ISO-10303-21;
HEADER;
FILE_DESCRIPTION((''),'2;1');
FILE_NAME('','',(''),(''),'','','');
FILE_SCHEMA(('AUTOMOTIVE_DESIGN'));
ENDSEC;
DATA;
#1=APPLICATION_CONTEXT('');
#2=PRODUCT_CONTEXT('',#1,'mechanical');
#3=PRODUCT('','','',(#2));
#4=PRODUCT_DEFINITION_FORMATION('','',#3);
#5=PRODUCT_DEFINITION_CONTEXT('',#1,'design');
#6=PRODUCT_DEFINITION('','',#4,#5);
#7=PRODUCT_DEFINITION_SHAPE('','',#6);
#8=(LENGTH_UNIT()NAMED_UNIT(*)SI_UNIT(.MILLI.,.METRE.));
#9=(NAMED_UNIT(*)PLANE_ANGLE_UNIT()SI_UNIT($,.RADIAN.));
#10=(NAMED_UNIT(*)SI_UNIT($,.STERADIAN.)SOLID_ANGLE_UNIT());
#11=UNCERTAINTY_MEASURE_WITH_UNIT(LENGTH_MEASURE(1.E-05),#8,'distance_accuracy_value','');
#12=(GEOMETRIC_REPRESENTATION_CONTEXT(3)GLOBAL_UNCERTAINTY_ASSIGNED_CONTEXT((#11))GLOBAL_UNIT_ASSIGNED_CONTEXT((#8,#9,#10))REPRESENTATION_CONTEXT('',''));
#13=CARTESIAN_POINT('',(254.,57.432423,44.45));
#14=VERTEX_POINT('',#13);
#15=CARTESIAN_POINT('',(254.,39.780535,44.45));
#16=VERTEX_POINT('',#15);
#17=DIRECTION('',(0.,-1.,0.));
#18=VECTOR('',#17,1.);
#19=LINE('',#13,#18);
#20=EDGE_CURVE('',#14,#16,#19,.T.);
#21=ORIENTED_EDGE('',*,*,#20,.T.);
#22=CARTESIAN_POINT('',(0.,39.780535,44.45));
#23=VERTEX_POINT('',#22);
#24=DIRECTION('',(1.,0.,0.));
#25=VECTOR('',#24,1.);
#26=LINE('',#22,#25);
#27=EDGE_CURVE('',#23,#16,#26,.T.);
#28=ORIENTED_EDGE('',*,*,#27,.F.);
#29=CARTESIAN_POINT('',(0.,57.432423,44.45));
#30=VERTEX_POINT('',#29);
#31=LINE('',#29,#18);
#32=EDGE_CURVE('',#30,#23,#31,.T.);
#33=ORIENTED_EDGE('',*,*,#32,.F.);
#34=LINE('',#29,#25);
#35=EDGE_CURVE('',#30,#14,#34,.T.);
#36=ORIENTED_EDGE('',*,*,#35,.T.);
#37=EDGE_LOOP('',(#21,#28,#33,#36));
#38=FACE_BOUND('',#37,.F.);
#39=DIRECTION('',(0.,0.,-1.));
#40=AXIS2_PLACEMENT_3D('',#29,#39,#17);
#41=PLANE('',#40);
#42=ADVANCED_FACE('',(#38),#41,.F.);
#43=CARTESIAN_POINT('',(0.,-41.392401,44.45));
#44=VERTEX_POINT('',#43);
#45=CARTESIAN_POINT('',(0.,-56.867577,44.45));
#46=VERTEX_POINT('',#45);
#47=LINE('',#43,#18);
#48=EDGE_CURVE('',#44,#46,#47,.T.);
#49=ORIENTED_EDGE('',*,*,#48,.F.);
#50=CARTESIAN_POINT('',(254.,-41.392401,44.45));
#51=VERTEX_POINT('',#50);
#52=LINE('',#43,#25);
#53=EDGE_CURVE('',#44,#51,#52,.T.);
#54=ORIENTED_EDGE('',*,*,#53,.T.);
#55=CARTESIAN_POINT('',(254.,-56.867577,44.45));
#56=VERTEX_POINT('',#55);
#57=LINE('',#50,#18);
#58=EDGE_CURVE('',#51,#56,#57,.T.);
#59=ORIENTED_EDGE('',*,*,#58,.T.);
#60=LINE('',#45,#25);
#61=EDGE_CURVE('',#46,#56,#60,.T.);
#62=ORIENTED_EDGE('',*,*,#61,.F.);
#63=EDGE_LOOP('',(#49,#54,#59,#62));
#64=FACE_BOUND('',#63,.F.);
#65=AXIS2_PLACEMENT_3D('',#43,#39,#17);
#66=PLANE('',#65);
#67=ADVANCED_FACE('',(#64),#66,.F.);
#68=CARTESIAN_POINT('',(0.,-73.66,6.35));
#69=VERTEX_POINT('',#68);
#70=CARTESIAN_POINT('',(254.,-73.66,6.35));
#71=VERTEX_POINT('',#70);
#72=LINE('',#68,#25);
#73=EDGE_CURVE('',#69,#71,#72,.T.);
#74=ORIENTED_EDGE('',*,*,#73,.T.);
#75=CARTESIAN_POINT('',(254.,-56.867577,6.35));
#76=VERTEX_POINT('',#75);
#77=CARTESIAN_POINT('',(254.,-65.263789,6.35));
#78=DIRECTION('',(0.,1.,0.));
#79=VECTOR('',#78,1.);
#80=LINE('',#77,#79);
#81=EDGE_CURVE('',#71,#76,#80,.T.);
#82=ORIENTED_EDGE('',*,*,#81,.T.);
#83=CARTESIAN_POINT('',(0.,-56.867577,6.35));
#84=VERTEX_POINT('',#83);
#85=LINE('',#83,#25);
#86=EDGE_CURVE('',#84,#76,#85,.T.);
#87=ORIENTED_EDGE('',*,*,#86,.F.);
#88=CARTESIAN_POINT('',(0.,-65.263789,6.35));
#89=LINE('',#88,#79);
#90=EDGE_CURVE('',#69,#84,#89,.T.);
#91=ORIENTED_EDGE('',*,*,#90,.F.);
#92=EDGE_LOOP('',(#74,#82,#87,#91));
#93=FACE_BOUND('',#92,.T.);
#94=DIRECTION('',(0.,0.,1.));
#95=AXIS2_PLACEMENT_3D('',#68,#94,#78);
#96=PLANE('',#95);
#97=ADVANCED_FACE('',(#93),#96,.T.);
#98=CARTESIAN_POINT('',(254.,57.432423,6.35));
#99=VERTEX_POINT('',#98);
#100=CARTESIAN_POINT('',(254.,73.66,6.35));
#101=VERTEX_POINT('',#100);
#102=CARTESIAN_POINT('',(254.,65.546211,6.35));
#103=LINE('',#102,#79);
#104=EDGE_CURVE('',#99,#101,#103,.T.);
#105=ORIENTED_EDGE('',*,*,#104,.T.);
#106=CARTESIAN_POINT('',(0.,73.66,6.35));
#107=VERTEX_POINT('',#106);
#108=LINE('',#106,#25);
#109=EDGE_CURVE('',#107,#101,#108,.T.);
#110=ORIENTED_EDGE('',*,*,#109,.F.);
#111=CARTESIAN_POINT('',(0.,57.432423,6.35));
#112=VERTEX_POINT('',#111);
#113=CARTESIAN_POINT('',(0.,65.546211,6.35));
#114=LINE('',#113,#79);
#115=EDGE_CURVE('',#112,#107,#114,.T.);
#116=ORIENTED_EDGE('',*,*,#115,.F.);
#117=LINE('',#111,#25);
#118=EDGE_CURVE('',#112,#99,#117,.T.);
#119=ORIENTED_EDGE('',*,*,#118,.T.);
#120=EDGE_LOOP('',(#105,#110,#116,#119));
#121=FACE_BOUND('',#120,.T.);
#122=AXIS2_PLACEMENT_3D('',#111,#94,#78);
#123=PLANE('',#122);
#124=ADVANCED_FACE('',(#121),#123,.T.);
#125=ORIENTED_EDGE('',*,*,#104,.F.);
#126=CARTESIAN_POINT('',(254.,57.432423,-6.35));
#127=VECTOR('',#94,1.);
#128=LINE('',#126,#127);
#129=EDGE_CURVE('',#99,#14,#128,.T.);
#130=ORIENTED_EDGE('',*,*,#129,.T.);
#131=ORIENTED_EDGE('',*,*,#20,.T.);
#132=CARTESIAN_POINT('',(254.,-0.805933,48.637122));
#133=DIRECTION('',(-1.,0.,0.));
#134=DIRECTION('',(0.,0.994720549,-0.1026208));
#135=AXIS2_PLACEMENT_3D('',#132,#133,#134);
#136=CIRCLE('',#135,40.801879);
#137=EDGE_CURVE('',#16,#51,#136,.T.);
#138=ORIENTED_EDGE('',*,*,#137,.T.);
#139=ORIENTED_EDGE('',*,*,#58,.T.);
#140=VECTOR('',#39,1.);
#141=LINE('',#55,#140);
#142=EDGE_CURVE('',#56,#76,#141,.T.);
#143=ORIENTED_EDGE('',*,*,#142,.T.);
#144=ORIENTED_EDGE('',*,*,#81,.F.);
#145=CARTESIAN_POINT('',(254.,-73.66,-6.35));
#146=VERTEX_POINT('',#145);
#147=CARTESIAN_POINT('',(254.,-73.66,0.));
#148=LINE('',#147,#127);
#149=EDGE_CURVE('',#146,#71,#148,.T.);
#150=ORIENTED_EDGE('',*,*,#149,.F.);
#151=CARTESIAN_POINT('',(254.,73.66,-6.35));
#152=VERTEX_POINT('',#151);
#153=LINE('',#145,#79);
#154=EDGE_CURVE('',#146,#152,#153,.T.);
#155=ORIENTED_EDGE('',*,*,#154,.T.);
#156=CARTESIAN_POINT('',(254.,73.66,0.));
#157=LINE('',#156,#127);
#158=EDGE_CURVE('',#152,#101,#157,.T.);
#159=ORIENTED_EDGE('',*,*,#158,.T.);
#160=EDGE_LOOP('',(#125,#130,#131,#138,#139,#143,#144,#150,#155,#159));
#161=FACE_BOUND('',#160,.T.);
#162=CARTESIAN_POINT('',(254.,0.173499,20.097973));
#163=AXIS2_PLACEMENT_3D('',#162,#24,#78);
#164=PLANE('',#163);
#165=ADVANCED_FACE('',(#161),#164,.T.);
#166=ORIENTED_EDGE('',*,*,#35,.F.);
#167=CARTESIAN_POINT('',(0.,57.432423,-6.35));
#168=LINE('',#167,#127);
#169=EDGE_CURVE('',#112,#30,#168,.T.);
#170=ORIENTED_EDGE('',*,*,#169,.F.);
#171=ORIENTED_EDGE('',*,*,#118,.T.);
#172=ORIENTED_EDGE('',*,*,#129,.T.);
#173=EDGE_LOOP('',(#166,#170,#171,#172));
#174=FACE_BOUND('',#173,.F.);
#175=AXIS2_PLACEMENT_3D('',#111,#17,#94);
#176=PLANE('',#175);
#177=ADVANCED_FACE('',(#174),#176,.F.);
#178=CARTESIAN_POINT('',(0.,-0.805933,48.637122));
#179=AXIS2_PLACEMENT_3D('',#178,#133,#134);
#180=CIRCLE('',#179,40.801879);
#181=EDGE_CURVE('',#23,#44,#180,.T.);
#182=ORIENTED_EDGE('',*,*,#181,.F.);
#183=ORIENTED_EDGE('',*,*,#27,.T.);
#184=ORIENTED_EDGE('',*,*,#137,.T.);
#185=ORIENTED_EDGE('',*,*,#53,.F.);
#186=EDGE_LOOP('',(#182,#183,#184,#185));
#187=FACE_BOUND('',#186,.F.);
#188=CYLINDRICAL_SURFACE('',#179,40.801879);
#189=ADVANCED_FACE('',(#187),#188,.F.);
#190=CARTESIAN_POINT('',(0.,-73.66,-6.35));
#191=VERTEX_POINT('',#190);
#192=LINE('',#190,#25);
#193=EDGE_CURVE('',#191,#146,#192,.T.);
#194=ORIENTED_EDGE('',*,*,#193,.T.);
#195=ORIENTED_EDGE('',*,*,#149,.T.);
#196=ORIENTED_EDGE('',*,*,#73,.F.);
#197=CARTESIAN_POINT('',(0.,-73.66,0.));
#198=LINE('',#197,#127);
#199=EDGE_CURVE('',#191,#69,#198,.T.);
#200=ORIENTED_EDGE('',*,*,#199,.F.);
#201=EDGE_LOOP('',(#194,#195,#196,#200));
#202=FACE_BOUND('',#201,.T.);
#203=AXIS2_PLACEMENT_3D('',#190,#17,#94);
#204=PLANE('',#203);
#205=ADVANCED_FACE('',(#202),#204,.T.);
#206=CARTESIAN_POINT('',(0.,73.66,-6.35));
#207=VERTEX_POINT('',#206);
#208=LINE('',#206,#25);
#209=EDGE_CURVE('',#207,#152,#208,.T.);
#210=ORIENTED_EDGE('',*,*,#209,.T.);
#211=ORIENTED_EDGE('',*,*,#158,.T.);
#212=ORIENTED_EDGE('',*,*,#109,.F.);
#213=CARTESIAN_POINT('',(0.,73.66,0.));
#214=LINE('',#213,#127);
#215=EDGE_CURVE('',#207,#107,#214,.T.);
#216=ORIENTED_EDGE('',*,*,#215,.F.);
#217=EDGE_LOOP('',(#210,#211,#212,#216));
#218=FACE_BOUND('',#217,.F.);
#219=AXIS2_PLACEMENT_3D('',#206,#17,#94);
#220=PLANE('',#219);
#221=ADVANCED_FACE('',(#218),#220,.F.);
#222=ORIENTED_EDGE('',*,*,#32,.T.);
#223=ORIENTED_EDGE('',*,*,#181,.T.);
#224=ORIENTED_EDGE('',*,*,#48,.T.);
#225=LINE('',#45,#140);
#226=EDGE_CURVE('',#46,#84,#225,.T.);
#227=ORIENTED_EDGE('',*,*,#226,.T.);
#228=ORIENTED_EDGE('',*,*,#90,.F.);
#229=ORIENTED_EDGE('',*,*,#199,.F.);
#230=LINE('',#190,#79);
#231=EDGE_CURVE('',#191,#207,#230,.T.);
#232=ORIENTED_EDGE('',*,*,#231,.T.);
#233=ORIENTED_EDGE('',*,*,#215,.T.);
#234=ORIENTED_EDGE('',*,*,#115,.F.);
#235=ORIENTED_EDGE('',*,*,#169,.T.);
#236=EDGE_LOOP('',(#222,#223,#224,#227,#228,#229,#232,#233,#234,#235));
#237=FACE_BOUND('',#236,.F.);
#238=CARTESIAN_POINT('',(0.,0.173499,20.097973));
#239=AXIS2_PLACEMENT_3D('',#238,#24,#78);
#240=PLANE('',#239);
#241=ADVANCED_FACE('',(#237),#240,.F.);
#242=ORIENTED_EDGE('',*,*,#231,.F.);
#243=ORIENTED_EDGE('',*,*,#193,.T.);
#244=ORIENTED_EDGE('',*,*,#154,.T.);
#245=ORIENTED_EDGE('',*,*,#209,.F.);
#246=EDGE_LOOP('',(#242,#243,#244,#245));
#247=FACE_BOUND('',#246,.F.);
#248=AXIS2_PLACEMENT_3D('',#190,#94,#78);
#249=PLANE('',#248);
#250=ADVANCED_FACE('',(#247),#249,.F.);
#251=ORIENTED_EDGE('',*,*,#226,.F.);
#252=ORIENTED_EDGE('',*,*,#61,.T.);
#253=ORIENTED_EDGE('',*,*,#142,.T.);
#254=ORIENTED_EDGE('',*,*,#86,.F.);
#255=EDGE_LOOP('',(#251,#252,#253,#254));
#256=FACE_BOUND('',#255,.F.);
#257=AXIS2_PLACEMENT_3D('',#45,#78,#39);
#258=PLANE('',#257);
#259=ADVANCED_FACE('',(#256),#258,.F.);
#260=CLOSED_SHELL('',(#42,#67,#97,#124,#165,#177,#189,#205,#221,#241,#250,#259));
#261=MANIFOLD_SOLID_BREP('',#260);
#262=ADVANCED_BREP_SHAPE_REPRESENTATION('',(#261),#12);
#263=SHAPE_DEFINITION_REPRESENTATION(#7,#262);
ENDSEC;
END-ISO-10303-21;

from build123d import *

# Parameters (mm, degrees)
F0_W     = 114.3
F0_H     = 12.7
F0_W_2   = 16.2275771356
F0_W_3   = 16.7924228644
F1_DEPTH = 254


with BuildPart() as f1:
    # F0 (on Right) → F1 (new body)
    with BuildSketch(Plane.YZ):
        with BuildLine():
            Line((-56.8675771356, 44.45), (-56.8675771356, 6.35))
            Line((-56.8675771356, 6.35), (57.4324228644, 6.35))
            Line((57.4324228644, 6.35), (57.4324228644, 44.45))
            Line((57.4324228644, 44.45), (39.7805348039, 44.45))
            ThreePointArc((39.7805348039, 44.45), (-0.8059330285, 7.8352421713), (-41.3924008608, 44.45))
            Line((-41.3924008608, 44.45), (-56.8675771356, 44.45))
        make_face()
        with Locations((0.2824228644, 0)):
            Rectangle(F0_W, F0_H)
        with Locations((65.5462114322, 0)):
            Rectangle(F0_W_2, F0_H)
        with Locations((-65.2637885678, 0)):
            Rectangle(F0_W_3, F0_H)
    extrude(amount=F1_DEPTH)


solid = f1.part
